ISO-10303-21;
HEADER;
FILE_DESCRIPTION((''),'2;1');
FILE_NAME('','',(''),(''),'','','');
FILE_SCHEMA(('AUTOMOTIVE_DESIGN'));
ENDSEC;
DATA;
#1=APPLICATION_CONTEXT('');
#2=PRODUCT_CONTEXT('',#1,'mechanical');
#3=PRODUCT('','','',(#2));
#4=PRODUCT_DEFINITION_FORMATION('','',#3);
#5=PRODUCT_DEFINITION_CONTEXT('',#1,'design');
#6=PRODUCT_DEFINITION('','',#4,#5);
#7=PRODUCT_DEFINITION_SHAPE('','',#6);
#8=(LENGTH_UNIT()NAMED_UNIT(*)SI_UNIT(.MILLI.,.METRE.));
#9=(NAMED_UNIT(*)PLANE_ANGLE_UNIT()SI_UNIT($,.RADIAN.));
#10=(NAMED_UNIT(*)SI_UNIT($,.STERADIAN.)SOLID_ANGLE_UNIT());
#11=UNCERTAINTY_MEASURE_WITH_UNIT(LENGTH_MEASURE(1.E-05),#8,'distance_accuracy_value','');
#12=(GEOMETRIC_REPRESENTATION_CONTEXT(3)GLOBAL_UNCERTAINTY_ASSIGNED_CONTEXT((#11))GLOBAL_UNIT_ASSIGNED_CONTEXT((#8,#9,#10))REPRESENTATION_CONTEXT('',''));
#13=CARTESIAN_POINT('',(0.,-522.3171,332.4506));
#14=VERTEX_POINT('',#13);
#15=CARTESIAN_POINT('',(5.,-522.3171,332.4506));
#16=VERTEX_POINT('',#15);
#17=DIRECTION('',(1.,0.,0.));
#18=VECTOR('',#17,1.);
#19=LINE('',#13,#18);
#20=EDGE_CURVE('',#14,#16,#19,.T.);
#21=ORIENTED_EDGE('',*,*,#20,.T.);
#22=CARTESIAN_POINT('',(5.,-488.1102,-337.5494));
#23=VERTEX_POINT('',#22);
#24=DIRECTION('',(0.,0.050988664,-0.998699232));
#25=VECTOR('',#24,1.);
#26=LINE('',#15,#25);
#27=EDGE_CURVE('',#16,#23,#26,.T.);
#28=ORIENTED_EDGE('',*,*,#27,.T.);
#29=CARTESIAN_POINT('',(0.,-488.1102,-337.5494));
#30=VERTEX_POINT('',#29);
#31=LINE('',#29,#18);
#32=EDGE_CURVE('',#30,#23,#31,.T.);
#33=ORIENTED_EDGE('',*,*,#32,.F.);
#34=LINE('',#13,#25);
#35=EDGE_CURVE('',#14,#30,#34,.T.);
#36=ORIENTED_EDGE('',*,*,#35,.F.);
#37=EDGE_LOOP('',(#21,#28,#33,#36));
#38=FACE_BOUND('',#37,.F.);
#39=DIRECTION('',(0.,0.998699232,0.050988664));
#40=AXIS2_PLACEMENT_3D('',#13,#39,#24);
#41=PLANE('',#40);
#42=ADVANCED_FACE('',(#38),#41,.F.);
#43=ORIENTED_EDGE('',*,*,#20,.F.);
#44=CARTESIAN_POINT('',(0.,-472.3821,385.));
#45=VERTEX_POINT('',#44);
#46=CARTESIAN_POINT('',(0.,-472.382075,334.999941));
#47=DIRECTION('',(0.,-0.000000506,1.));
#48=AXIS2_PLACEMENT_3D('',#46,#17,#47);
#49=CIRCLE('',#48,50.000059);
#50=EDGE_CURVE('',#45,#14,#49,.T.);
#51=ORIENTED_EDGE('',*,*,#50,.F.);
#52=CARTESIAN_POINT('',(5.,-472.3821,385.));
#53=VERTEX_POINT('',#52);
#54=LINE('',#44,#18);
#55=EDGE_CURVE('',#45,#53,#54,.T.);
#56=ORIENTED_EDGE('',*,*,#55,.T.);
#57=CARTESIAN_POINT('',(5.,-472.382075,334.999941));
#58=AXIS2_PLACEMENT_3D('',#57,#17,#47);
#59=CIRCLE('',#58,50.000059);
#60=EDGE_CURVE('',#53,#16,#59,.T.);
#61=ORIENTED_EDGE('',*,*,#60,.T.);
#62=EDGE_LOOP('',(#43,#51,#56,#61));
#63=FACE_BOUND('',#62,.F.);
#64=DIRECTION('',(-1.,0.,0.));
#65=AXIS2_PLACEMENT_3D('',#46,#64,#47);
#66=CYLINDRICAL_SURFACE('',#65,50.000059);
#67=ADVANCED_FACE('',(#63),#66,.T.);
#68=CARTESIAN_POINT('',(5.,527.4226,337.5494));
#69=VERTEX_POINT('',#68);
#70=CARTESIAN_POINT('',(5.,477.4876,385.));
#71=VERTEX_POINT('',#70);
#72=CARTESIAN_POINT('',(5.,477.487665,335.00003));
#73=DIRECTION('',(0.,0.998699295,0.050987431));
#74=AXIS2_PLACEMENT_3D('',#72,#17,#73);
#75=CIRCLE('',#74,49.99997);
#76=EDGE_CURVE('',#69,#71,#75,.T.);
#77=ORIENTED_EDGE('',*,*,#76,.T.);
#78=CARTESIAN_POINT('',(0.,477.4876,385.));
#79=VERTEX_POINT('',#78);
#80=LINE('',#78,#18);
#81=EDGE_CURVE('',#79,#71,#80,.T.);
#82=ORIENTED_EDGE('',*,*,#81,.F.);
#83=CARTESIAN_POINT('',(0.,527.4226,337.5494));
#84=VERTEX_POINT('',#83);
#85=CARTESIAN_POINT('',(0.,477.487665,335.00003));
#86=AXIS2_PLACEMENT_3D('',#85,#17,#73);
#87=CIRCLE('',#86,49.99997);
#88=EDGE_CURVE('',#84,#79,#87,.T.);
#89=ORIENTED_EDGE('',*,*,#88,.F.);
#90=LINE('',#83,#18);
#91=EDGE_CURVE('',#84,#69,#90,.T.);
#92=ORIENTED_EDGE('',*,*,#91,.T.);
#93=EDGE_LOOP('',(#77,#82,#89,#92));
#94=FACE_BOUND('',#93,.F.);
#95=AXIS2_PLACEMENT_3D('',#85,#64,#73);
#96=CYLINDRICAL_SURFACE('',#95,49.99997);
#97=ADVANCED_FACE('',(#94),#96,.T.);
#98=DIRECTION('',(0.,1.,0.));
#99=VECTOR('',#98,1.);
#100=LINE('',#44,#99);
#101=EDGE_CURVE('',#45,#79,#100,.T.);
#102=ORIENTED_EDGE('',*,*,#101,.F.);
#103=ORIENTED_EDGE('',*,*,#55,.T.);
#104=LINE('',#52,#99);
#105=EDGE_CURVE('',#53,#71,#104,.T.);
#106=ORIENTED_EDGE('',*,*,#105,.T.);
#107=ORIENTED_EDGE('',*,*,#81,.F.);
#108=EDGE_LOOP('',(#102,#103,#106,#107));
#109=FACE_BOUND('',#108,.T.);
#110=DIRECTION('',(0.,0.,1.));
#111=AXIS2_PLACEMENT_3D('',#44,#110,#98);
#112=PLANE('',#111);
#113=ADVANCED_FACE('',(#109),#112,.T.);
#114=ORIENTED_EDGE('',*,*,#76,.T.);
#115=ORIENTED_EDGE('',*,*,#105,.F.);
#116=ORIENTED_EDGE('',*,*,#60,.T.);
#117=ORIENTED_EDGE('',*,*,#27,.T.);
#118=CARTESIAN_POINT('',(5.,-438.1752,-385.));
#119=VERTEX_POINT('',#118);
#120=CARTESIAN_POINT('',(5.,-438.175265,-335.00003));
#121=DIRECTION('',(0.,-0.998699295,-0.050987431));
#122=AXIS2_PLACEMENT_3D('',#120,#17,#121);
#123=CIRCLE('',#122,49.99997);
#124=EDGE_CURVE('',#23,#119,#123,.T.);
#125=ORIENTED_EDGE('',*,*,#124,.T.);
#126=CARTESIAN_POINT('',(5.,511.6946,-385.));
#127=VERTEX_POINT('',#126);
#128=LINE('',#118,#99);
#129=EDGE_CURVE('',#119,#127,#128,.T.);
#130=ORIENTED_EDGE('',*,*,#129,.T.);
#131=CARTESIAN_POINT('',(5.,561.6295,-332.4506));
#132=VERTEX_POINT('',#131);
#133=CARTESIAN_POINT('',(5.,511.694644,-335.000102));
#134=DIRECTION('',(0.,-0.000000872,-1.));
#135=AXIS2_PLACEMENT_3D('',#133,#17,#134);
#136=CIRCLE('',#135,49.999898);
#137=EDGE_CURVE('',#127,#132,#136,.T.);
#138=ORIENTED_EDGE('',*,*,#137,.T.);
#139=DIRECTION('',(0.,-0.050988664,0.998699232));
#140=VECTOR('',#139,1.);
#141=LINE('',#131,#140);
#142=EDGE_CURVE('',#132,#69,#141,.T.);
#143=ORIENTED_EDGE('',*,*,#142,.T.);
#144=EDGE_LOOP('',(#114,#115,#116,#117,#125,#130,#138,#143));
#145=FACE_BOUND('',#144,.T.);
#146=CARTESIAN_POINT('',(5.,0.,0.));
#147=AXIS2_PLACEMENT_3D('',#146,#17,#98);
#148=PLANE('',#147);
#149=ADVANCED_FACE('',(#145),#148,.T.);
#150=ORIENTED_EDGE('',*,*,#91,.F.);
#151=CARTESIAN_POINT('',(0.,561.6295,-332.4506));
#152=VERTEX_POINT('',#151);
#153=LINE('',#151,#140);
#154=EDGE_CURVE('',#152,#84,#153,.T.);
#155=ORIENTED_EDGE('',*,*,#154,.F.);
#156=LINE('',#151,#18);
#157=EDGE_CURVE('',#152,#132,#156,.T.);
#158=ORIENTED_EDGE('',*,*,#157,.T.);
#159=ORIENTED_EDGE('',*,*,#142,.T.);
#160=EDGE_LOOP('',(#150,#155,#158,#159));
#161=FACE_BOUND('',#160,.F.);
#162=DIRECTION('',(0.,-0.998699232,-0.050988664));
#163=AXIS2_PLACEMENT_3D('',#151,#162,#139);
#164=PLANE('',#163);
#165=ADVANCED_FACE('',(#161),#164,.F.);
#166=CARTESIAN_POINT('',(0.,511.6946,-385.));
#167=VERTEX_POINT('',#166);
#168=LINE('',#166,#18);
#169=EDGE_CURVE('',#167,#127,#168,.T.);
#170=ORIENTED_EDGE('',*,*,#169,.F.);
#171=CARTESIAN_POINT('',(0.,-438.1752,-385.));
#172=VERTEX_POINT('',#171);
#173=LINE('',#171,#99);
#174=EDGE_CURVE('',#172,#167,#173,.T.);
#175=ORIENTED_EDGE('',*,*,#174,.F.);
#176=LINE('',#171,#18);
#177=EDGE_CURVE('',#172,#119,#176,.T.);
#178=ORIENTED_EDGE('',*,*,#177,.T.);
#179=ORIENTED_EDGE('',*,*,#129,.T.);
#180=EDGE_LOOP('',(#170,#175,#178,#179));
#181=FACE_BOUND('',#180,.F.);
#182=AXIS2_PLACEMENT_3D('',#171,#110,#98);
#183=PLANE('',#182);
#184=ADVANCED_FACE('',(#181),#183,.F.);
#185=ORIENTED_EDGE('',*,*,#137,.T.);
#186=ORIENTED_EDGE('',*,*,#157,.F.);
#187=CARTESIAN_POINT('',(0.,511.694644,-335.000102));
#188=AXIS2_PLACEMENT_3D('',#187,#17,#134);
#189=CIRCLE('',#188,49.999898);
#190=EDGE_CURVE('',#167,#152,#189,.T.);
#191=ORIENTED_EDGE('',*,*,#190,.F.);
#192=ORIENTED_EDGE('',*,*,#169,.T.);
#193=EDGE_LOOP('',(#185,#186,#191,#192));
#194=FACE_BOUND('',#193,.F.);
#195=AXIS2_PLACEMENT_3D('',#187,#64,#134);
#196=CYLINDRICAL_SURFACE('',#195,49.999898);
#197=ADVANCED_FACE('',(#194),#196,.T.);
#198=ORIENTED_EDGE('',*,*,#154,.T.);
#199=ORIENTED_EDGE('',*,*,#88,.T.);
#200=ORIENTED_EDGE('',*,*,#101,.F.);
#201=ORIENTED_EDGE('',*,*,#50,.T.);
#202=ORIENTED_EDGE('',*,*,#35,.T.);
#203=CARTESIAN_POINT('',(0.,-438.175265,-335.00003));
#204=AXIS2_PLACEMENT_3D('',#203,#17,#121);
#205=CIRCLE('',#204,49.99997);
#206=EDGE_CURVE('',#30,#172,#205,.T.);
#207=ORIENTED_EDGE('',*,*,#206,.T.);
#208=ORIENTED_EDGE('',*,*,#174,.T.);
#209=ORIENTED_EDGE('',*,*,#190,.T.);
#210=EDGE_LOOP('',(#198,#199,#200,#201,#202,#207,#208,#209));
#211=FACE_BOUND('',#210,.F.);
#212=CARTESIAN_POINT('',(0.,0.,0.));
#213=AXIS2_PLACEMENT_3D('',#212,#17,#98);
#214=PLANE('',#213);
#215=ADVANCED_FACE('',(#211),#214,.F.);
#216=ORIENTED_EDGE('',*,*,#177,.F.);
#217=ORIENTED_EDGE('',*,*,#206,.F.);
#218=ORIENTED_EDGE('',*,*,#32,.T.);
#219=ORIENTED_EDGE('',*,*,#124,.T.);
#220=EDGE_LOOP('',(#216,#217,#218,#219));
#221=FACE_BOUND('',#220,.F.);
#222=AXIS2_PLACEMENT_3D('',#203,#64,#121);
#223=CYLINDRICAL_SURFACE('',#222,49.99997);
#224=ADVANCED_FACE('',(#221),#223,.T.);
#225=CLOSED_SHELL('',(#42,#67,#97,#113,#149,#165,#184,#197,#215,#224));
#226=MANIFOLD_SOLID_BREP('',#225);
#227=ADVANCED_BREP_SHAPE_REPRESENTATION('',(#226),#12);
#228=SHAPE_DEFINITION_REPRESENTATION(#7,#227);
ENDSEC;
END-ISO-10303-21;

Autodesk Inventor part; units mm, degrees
ref_plane "YZ Plane" through (0, 0, 0) normal (1, 0, 0) x (0, 1, 0)
ref_plane "XZ Plane" through (0, 0, 0) normal (0, 1, 0) x (-1, 0, 0)
ref_plane "XY Plane" through (0, 0, 0) normal (0, 0, 1) x (1, 0, 0)
sketch "Boceto1" plane through (0, 0, 0) normal (1, 0, 0) x (0, 1, 0)
  line L0 (-522.3171, 332.4506) -> (-488.1102, -337.5494)
  line L1 (561.6295, -332.4506) -> (527.4226, 337.5494)
  line L2 (-472.3821, 385) -> (477.4876, 385)
  line L3 (-438.1752, -385) -> (511.6946, -385)
  arc A0 (-472.3821, 385) -> (-522.3171, 332.4506) centre (-472.3821, 335) ccw
  arc A1 (-488.1102, -337.5494) -> (-438.1752, -385) centre (-438.1752, -335) ccw
  arc A2 (511.6946, -385) -> (561.6295, -332.4506) centre (511.6946, -335) ccw
  arc A3 (527.4226, 337.5494) -> (477.4876, 385) centre (477.4876, 335) ccw
  point P0 (0, 0)
  point P1 (-525, 385)
  point P2 (525, 385)
  point P3 (-485.6876, -385)
  point P4 (564.3124, -385)
  dimension "d17" = 1050
  dimension "d19" = 1050
  dimension "d20" = 770
  dimension "d21" = 385
  dimension "d22" = 525
  dimension "d23" = 50
  dimension "d24" = 50
extrude "Extrusión1" add sketch "Boceto1" along normal blind 5
equation "\"d19\" = d17"
equation "\"d21\" = 0.5 * d20"
equation "\"d22\" = 0.5 * d19"
properties part number "Ventanas"
